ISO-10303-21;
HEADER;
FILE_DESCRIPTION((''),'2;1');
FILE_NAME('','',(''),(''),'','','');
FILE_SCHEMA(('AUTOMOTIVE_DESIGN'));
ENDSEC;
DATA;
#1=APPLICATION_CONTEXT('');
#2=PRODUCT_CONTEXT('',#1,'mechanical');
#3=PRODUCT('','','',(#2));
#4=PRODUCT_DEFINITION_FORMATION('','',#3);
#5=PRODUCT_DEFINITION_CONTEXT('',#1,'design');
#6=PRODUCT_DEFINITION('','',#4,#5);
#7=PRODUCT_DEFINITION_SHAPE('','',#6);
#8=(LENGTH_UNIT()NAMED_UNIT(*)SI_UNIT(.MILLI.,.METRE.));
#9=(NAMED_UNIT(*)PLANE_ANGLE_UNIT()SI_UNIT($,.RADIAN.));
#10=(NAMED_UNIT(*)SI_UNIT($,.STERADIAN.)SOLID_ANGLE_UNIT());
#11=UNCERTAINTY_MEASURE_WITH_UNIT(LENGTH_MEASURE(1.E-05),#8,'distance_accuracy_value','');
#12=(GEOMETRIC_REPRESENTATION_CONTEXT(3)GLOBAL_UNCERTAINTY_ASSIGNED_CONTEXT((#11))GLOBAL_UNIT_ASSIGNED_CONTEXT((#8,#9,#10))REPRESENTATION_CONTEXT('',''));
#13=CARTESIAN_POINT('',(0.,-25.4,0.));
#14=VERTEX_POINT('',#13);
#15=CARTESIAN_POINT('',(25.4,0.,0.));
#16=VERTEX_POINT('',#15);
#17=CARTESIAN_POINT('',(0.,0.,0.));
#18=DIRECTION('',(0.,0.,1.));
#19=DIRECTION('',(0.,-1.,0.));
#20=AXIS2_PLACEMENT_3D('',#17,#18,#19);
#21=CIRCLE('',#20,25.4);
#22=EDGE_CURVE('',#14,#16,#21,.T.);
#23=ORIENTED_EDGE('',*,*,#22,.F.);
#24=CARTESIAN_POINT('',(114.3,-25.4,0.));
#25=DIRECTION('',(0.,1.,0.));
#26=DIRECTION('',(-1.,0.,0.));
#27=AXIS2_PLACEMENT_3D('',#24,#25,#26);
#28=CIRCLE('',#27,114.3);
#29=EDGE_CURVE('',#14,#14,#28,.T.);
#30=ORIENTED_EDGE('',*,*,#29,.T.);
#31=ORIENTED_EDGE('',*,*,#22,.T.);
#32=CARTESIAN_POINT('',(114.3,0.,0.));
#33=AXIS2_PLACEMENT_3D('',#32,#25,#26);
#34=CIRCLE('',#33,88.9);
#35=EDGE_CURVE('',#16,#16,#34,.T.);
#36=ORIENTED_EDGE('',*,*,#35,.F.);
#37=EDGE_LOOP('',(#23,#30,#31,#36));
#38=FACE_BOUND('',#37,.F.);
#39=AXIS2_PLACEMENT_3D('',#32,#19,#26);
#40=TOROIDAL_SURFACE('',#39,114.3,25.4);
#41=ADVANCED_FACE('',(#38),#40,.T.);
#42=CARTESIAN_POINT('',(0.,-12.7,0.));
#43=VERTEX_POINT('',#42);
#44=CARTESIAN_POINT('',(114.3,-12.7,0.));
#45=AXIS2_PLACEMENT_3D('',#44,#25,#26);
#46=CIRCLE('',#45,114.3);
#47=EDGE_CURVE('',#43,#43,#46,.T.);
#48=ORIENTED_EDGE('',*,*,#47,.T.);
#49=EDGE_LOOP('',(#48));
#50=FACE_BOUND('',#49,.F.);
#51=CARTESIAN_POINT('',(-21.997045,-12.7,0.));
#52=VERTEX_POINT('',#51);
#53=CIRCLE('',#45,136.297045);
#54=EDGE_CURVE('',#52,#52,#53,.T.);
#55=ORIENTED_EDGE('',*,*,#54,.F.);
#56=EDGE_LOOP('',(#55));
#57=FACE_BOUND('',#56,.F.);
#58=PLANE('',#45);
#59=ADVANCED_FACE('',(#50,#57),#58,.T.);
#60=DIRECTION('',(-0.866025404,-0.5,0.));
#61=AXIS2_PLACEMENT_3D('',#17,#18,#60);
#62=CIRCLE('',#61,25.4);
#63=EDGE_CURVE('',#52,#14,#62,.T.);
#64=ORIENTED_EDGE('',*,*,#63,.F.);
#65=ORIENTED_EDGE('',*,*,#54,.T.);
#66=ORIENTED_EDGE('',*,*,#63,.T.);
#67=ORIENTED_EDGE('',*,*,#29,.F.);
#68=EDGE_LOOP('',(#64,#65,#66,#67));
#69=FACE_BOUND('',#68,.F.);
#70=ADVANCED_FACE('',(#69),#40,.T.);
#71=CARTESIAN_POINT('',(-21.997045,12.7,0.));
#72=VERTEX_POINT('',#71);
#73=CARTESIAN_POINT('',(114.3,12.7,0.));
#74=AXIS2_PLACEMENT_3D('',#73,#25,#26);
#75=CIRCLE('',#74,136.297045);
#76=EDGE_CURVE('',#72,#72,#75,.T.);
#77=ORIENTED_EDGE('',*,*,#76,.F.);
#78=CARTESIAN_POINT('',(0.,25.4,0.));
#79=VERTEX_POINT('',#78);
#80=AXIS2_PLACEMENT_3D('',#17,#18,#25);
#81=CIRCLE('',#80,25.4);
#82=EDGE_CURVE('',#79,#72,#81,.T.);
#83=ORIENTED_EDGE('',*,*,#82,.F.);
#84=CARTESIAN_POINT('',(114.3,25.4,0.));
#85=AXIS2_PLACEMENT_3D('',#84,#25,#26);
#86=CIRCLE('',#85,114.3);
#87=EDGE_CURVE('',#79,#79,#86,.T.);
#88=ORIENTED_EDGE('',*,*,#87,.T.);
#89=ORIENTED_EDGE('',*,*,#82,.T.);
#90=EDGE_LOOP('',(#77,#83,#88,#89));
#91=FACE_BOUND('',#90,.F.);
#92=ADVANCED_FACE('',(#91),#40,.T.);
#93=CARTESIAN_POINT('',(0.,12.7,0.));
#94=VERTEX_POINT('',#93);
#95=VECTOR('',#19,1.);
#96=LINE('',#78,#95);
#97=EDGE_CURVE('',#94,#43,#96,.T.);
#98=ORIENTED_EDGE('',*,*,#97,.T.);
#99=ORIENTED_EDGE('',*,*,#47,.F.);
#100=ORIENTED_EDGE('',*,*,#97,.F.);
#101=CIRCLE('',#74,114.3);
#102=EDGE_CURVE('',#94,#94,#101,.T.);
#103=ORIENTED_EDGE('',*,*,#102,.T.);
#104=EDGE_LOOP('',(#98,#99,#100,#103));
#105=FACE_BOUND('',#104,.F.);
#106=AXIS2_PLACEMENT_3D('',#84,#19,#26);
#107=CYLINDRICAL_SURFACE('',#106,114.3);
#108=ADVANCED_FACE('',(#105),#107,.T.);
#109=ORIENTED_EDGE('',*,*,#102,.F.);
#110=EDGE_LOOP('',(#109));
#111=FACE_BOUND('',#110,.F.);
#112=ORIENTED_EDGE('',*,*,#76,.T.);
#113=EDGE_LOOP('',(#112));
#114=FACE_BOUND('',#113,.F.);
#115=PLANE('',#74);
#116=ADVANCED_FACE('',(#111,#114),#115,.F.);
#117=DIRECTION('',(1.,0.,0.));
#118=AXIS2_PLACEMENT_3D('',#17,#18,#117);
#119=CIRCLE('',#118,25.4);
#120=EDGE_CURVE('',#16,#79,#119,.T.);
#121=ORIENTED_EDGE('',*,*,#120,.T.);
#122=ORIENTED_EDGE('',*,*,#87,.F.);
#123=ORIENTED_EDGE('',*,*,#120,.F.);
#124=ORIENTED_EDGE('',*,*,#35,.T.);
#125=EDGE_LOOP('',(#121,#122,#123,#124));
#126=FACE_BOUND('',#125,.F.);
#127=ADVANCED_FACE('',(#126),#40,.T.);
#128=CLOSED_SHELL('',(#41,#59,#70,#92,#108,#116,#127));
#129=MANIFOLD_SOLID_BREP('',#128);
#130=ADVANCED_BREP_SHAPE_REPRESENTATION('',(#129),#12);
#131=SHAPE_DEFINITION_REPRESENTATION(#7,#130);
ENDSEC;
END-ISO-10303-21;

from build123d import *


with BuildPart() as f1:
    # F0 (on Top) → F1 (revolve)
    with BuildSketch(Plane.XY):
        with BuildLine():
            Line((0, 12.7), (0, 25.4))
            ThreePointArc((0, 25.4), (-12.7, 21.9970452561), (-21.9970452561, 12.7))
            Line((-21.9970452561, 12.7), (0, 12.7))
        make_face()
        with BuildLine():
            ThreePointArc((0, -25.4), (17.9605122421, -17.9605122421), (25.4, 0))
            ThreePointArc((25.4, 0), (17.9605122421, 17.9605122421), (0, 25.4))
            Line((0, 25.4), (0, 12.7))
            Line((0, 12.7), (0, 0))
            Line((0, 0), (0, -12.7))
            Line((0, -12.7), (0, -25.4))
        make_face()
        with BuildLine():
            ThreePointArc((-21.9970452561, -12.7), (-12.7, -21.9970452561), (0, -25.4))
            Line((0, -25.4), (0, -12.7))
            Line((0, -12.7), (-21.9970452561, -12.7))
        make_face()
    revolve(axis=Axis((114.3, 14.0205519274, 0), (0, 1, 0)))


solid = f1.part
